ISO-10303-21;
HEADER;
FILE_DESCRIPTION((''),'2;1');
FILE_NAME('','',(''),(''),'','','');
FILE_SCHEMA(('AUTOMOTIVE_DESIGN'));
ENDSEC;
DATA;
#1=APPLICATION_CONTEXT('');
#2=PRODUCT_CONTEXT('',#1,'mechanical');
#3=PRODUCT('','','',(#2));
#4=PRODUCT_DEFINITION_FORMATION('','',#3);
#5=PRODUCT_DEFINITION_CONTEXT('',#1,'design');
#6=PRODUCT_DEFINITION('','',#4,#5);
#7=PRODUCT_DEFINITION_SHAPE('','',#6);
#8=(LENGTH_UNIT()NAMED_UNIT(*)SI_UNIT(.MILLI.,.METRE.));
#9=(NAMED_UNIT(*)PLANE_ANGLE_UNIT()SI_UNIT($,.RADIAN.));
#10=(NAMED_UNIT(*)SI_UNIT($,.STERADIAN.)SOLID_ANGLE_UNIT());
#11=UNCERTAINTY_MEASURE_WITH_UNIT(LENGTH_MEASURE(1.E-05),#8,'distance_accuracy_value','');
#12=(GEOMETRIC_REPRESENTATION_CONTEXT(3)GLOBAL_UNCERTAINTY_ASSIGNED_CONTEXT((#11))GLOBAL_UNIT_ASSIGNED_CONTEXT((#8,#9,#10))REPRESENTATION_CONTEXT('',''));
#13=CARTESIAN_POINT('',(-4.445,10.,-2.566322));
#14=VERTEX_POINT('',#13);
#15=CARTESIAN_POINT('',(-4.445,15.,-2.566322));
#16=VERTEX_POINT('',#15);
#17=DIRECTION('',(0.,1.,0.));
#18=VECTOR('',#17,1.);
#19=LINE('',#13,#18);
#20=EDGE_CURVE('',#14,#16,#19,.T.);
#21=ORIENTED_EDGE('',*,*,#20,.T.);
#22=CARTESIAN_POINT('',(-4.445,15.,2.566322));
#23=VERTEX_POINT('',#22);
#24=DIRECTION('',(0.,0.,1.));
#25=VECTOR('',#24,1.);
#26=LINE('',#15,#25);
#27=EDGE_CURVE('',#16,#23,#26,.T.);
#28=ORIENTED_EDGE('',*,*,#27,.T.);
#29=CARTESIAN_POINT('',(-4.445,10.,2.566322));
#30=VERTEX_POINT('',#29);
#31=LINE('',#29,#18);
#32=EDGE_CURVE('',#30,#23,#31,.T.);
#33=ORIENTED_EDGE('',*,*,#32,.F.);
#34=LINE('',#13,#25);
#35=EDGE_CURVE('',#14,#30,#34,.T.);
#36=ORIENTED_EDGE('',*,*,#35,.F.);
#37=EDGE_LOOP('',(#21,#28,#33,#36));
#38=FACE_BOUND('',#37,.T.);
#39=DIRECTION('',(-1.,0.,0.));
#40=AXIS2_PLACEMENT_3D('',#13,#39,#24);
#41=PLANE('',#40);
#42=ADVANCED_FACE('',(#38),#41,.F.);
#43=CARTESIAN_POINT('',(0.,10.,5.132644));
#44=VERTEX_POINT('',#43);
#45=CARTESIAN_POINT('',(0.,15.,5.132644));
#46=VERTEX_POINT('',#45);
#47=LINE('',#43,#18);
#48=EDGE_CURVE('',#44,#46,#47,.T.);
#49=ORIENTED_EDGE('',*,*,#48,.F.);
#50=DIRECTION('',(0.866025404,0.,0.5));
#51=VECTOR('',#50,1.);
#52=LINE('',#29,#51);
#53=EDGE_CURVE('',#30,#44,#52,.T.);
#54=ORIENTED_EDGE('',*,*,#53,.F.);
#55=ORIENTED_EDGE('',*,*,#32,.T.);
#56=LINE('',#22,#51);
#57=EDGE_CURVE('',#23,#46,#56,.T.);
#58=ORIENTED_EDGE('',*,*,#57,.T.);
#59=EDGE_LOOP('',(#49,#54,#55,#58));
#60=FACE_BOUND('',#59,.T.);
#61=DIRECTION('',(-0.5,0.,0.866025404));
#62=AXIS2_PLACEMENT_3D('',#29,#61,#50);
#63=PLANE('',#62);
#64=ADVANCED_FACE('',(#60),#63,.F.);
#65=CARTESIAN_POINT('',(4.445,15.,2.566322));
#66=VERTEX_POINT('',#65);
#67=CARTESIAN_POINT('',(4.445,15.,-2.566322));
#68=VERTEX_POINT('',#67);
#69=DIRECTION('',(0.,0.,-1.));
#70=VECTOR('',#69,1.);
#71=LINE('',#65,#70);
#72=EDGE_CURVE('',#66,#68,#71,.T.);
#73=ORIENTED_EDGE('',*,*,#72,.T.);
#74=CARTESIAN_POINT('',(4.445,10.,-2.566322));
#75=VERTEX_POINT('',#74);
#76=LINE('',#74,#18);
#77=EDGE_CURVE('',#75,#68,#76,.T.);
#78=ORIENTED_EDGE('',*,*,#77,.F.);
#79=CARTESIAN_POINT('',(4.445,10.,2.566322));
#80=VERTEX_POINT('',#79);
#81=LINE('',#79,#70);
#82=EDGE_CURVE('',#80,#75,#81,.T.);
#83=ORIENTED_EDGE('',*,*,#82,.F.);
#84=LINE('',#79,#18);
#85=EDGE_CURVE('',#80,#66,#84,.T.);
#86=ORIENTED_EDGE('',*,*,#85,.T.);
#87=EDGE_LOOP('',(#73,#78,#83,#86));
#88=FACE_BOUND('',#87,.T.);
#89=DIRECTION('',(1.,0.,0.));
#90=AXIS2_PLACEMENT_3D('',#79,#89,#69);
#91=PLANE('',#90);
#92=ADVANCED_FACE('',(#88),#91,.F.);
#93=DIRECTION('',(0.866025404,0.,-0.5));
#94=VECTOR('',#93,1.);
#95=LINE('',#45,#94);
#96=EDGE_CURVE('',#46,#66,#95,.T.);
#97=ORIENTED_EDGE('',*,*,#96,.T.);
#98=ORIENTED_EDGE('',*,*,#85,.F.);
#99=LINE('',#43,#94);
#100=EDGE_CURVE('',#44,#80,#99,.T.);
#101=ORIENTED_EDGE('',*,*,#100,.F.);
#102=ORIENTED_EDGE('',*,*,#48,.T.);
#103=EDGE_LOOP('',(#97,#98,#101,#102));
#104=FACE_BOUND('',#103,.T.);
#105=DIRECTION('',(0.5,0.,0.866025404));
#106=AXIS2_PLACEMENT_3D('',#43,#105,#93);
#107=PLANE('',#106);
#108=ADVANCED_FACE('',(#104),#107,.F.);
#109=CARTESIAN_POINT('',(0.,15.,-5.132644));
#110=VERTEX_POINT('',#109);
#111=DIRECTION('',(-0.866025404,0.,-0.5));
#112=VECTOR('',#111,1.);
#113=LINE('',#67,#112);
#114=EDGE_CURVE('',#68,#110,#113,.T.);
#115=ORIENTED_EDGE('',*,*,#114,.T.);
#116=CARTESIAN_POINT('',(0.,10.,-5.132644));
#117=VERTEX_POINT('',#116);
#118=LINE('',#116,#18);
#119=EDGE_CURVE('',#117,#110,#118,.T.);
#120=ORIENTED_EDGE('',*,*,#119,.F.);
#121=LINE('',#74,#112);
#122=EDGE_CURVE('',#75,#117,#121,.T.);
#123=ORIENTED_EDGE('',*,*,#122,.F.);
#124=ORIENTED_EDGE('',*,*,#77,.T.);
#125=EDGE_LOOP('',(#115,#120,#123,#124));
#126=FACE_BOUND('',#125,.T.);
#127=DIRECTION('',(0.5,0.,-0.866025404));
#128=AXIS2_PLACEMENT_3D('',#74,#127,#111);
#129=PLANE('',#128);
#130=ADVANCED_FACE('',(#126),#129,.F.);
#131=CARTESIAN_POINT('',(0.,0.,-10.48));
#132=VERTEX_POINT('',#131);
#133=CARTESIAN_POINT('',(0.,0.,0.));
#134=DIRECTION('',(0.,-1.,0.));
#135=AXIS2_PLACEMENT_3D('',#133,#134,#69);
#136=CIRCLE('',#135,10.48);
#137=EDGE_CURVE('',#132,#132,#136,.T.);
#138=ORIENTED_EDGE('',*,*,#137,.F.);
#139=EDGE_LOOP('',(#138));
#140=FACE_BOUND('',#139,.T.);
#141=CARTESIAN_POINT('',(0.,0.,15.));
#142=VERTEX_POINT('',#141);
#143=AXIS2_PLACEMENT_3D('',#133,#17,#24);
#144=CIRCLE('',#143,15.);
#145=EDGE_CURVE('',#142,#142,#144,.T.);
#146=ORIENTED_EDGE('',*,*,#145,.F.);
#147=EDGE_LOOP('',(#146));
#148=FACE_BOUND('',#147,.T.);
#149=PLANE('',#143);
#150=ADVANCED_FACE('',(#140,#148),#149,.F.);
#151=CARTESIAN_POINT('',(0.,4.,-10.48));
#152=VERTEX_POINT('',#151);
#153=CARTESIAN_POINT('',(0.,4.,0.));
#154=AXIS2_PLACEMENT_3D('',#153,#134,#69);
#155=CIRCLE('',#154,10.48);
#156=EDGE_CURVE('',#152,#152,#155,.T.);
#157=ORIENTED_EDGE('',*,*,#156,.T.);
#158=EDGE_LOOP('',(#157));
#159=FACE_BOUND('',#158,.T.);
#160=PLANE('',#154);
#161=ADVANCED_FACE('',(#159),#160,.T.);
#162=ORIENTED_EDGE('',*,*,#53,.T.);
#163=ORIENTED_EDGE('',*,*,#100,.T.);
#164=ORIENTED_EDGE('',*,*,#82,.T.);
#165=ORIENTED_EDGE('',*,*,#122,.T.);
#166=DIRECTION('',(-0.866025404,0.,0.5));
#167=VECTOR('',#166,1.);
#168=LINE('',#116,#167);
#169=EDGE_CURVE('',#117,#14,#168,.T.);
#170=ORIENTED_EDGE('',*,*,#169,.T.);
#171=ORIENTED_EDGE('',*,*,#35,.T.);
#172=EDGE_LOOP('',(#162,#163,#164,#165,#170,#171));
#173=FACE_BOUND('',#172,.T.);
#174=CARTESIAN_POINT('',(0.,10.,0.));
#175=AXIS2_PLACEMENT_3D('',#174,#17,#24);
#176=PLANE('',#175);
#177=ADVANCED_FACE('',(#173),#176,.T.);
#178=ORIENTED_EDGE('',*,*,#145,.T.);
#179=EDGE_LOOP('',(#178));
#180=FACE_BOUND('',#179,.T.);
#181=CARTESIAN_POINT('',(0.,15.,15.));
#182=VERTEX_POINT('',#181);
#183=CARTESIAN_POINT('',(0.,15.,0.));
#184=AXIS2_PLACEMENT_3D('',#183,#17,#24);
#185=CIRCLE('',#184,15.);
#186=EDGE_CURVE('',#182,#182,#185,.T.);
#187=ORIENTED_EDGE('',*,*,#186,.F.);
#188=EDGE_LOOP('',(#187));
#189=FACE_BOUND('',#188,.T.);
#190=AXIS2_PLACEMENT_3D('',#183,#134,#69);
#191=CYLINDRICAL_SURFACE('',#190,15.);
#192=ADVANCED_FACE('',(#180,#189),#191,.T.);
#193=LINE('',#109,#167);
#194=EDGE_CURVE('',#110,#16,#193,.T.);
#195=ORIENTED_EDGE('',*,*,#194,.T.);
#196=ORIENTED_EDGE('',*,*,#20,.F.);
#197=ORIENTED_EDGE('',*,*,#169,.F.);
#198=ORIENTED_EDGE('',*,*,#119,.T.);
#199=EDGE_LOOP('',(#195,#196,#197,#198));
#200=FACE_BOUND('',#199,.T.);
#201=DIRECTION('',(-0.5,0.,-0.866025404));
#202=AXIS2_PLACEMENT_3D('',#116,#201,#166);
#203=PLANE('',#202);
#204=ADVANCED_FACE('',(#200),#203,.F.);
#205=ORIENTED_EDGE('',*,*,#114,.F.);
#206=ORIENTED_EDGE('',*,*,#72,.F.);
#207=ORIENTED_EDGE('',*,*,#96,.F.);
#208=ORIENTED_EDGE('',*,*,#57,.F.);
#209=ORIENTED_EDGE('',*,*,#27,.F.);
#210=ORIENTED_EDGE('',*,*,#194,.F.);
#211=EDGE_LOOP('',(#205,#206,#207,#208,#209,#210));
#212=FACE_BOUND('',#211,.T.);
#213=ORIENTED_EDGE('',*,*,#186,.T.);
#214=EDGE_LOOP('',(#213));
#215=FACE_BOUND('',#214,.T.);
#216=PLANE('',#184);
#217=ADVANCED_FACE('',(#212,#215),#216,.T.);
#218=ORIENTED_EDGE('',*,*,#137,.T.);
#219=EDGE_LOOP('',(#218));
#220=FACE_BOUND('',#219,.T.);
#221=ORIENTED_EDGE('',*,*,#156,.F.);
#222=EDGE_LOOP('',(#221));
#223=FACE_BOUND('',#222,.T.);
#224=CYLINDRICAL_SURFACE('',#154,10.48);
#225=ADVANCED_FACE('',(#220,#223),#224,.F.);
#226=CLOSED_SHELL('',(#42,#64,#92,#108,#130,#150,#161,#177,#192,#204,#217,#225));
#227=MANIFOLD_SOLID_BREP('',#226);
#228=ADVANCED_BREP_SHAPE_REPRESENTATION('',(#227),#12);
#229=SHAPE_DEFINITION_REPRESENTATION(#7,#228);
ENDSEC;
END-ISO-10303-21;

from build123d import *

# Parameters (mm, degrees)
SKETCH1_R           = 15
BOSS_EXTRUDE1_DEPTH = 15
SKETCH2_R           = 10.48
CUT_EXTRUDE1_DEPTH  = 4
CUT_EXTRUDE2_DEPTH  = 5


with BuildPart() as part:
    # Sketch1 → Boss-Extrude1 (new body)
    with BuildSketch(Plane(origin=(0, 0, 0), x_dir=(1, 0, 0), z_dir=(0, 1, 0))):
        with Locations(Location((0, 0, 0), (0, 0, 270))):
            Circle(SKETCH1_R)
    extrude(amount=BOSS_EXTRUDE1_DEPTH)

    # Sketch2 → Cut-Extrude1 (cut)
    with BuildSketch(Plane.XZ):
        with Locations(Location((0, 0, 0), (0, 0, 270))):
            Circle(SKETCH2_R)
    extrude(amount=-CUT_EXTRUDE1_DEPTH, mode=Mode.SUBTRACT)

    # Sketch7 → Cut-Extrude2 (cut)
    with BuildSketch(Plane(origin=(0, 15, 0), x_dir=(1, 0, 0), z_dir=(0, 1, 0))):
        Polygon((0, 5.132643893), (-4.445, 2.566321947), (-4.445, -2.566321947), (0, -5.132643893), (4.445, -2.566321947), (4.445, 2.566321947), align=None)
    extrude(amount=-CUT_EXTRUDE2_DEPTH, mode=Mode.SUBTRACT)


solid = part.part
